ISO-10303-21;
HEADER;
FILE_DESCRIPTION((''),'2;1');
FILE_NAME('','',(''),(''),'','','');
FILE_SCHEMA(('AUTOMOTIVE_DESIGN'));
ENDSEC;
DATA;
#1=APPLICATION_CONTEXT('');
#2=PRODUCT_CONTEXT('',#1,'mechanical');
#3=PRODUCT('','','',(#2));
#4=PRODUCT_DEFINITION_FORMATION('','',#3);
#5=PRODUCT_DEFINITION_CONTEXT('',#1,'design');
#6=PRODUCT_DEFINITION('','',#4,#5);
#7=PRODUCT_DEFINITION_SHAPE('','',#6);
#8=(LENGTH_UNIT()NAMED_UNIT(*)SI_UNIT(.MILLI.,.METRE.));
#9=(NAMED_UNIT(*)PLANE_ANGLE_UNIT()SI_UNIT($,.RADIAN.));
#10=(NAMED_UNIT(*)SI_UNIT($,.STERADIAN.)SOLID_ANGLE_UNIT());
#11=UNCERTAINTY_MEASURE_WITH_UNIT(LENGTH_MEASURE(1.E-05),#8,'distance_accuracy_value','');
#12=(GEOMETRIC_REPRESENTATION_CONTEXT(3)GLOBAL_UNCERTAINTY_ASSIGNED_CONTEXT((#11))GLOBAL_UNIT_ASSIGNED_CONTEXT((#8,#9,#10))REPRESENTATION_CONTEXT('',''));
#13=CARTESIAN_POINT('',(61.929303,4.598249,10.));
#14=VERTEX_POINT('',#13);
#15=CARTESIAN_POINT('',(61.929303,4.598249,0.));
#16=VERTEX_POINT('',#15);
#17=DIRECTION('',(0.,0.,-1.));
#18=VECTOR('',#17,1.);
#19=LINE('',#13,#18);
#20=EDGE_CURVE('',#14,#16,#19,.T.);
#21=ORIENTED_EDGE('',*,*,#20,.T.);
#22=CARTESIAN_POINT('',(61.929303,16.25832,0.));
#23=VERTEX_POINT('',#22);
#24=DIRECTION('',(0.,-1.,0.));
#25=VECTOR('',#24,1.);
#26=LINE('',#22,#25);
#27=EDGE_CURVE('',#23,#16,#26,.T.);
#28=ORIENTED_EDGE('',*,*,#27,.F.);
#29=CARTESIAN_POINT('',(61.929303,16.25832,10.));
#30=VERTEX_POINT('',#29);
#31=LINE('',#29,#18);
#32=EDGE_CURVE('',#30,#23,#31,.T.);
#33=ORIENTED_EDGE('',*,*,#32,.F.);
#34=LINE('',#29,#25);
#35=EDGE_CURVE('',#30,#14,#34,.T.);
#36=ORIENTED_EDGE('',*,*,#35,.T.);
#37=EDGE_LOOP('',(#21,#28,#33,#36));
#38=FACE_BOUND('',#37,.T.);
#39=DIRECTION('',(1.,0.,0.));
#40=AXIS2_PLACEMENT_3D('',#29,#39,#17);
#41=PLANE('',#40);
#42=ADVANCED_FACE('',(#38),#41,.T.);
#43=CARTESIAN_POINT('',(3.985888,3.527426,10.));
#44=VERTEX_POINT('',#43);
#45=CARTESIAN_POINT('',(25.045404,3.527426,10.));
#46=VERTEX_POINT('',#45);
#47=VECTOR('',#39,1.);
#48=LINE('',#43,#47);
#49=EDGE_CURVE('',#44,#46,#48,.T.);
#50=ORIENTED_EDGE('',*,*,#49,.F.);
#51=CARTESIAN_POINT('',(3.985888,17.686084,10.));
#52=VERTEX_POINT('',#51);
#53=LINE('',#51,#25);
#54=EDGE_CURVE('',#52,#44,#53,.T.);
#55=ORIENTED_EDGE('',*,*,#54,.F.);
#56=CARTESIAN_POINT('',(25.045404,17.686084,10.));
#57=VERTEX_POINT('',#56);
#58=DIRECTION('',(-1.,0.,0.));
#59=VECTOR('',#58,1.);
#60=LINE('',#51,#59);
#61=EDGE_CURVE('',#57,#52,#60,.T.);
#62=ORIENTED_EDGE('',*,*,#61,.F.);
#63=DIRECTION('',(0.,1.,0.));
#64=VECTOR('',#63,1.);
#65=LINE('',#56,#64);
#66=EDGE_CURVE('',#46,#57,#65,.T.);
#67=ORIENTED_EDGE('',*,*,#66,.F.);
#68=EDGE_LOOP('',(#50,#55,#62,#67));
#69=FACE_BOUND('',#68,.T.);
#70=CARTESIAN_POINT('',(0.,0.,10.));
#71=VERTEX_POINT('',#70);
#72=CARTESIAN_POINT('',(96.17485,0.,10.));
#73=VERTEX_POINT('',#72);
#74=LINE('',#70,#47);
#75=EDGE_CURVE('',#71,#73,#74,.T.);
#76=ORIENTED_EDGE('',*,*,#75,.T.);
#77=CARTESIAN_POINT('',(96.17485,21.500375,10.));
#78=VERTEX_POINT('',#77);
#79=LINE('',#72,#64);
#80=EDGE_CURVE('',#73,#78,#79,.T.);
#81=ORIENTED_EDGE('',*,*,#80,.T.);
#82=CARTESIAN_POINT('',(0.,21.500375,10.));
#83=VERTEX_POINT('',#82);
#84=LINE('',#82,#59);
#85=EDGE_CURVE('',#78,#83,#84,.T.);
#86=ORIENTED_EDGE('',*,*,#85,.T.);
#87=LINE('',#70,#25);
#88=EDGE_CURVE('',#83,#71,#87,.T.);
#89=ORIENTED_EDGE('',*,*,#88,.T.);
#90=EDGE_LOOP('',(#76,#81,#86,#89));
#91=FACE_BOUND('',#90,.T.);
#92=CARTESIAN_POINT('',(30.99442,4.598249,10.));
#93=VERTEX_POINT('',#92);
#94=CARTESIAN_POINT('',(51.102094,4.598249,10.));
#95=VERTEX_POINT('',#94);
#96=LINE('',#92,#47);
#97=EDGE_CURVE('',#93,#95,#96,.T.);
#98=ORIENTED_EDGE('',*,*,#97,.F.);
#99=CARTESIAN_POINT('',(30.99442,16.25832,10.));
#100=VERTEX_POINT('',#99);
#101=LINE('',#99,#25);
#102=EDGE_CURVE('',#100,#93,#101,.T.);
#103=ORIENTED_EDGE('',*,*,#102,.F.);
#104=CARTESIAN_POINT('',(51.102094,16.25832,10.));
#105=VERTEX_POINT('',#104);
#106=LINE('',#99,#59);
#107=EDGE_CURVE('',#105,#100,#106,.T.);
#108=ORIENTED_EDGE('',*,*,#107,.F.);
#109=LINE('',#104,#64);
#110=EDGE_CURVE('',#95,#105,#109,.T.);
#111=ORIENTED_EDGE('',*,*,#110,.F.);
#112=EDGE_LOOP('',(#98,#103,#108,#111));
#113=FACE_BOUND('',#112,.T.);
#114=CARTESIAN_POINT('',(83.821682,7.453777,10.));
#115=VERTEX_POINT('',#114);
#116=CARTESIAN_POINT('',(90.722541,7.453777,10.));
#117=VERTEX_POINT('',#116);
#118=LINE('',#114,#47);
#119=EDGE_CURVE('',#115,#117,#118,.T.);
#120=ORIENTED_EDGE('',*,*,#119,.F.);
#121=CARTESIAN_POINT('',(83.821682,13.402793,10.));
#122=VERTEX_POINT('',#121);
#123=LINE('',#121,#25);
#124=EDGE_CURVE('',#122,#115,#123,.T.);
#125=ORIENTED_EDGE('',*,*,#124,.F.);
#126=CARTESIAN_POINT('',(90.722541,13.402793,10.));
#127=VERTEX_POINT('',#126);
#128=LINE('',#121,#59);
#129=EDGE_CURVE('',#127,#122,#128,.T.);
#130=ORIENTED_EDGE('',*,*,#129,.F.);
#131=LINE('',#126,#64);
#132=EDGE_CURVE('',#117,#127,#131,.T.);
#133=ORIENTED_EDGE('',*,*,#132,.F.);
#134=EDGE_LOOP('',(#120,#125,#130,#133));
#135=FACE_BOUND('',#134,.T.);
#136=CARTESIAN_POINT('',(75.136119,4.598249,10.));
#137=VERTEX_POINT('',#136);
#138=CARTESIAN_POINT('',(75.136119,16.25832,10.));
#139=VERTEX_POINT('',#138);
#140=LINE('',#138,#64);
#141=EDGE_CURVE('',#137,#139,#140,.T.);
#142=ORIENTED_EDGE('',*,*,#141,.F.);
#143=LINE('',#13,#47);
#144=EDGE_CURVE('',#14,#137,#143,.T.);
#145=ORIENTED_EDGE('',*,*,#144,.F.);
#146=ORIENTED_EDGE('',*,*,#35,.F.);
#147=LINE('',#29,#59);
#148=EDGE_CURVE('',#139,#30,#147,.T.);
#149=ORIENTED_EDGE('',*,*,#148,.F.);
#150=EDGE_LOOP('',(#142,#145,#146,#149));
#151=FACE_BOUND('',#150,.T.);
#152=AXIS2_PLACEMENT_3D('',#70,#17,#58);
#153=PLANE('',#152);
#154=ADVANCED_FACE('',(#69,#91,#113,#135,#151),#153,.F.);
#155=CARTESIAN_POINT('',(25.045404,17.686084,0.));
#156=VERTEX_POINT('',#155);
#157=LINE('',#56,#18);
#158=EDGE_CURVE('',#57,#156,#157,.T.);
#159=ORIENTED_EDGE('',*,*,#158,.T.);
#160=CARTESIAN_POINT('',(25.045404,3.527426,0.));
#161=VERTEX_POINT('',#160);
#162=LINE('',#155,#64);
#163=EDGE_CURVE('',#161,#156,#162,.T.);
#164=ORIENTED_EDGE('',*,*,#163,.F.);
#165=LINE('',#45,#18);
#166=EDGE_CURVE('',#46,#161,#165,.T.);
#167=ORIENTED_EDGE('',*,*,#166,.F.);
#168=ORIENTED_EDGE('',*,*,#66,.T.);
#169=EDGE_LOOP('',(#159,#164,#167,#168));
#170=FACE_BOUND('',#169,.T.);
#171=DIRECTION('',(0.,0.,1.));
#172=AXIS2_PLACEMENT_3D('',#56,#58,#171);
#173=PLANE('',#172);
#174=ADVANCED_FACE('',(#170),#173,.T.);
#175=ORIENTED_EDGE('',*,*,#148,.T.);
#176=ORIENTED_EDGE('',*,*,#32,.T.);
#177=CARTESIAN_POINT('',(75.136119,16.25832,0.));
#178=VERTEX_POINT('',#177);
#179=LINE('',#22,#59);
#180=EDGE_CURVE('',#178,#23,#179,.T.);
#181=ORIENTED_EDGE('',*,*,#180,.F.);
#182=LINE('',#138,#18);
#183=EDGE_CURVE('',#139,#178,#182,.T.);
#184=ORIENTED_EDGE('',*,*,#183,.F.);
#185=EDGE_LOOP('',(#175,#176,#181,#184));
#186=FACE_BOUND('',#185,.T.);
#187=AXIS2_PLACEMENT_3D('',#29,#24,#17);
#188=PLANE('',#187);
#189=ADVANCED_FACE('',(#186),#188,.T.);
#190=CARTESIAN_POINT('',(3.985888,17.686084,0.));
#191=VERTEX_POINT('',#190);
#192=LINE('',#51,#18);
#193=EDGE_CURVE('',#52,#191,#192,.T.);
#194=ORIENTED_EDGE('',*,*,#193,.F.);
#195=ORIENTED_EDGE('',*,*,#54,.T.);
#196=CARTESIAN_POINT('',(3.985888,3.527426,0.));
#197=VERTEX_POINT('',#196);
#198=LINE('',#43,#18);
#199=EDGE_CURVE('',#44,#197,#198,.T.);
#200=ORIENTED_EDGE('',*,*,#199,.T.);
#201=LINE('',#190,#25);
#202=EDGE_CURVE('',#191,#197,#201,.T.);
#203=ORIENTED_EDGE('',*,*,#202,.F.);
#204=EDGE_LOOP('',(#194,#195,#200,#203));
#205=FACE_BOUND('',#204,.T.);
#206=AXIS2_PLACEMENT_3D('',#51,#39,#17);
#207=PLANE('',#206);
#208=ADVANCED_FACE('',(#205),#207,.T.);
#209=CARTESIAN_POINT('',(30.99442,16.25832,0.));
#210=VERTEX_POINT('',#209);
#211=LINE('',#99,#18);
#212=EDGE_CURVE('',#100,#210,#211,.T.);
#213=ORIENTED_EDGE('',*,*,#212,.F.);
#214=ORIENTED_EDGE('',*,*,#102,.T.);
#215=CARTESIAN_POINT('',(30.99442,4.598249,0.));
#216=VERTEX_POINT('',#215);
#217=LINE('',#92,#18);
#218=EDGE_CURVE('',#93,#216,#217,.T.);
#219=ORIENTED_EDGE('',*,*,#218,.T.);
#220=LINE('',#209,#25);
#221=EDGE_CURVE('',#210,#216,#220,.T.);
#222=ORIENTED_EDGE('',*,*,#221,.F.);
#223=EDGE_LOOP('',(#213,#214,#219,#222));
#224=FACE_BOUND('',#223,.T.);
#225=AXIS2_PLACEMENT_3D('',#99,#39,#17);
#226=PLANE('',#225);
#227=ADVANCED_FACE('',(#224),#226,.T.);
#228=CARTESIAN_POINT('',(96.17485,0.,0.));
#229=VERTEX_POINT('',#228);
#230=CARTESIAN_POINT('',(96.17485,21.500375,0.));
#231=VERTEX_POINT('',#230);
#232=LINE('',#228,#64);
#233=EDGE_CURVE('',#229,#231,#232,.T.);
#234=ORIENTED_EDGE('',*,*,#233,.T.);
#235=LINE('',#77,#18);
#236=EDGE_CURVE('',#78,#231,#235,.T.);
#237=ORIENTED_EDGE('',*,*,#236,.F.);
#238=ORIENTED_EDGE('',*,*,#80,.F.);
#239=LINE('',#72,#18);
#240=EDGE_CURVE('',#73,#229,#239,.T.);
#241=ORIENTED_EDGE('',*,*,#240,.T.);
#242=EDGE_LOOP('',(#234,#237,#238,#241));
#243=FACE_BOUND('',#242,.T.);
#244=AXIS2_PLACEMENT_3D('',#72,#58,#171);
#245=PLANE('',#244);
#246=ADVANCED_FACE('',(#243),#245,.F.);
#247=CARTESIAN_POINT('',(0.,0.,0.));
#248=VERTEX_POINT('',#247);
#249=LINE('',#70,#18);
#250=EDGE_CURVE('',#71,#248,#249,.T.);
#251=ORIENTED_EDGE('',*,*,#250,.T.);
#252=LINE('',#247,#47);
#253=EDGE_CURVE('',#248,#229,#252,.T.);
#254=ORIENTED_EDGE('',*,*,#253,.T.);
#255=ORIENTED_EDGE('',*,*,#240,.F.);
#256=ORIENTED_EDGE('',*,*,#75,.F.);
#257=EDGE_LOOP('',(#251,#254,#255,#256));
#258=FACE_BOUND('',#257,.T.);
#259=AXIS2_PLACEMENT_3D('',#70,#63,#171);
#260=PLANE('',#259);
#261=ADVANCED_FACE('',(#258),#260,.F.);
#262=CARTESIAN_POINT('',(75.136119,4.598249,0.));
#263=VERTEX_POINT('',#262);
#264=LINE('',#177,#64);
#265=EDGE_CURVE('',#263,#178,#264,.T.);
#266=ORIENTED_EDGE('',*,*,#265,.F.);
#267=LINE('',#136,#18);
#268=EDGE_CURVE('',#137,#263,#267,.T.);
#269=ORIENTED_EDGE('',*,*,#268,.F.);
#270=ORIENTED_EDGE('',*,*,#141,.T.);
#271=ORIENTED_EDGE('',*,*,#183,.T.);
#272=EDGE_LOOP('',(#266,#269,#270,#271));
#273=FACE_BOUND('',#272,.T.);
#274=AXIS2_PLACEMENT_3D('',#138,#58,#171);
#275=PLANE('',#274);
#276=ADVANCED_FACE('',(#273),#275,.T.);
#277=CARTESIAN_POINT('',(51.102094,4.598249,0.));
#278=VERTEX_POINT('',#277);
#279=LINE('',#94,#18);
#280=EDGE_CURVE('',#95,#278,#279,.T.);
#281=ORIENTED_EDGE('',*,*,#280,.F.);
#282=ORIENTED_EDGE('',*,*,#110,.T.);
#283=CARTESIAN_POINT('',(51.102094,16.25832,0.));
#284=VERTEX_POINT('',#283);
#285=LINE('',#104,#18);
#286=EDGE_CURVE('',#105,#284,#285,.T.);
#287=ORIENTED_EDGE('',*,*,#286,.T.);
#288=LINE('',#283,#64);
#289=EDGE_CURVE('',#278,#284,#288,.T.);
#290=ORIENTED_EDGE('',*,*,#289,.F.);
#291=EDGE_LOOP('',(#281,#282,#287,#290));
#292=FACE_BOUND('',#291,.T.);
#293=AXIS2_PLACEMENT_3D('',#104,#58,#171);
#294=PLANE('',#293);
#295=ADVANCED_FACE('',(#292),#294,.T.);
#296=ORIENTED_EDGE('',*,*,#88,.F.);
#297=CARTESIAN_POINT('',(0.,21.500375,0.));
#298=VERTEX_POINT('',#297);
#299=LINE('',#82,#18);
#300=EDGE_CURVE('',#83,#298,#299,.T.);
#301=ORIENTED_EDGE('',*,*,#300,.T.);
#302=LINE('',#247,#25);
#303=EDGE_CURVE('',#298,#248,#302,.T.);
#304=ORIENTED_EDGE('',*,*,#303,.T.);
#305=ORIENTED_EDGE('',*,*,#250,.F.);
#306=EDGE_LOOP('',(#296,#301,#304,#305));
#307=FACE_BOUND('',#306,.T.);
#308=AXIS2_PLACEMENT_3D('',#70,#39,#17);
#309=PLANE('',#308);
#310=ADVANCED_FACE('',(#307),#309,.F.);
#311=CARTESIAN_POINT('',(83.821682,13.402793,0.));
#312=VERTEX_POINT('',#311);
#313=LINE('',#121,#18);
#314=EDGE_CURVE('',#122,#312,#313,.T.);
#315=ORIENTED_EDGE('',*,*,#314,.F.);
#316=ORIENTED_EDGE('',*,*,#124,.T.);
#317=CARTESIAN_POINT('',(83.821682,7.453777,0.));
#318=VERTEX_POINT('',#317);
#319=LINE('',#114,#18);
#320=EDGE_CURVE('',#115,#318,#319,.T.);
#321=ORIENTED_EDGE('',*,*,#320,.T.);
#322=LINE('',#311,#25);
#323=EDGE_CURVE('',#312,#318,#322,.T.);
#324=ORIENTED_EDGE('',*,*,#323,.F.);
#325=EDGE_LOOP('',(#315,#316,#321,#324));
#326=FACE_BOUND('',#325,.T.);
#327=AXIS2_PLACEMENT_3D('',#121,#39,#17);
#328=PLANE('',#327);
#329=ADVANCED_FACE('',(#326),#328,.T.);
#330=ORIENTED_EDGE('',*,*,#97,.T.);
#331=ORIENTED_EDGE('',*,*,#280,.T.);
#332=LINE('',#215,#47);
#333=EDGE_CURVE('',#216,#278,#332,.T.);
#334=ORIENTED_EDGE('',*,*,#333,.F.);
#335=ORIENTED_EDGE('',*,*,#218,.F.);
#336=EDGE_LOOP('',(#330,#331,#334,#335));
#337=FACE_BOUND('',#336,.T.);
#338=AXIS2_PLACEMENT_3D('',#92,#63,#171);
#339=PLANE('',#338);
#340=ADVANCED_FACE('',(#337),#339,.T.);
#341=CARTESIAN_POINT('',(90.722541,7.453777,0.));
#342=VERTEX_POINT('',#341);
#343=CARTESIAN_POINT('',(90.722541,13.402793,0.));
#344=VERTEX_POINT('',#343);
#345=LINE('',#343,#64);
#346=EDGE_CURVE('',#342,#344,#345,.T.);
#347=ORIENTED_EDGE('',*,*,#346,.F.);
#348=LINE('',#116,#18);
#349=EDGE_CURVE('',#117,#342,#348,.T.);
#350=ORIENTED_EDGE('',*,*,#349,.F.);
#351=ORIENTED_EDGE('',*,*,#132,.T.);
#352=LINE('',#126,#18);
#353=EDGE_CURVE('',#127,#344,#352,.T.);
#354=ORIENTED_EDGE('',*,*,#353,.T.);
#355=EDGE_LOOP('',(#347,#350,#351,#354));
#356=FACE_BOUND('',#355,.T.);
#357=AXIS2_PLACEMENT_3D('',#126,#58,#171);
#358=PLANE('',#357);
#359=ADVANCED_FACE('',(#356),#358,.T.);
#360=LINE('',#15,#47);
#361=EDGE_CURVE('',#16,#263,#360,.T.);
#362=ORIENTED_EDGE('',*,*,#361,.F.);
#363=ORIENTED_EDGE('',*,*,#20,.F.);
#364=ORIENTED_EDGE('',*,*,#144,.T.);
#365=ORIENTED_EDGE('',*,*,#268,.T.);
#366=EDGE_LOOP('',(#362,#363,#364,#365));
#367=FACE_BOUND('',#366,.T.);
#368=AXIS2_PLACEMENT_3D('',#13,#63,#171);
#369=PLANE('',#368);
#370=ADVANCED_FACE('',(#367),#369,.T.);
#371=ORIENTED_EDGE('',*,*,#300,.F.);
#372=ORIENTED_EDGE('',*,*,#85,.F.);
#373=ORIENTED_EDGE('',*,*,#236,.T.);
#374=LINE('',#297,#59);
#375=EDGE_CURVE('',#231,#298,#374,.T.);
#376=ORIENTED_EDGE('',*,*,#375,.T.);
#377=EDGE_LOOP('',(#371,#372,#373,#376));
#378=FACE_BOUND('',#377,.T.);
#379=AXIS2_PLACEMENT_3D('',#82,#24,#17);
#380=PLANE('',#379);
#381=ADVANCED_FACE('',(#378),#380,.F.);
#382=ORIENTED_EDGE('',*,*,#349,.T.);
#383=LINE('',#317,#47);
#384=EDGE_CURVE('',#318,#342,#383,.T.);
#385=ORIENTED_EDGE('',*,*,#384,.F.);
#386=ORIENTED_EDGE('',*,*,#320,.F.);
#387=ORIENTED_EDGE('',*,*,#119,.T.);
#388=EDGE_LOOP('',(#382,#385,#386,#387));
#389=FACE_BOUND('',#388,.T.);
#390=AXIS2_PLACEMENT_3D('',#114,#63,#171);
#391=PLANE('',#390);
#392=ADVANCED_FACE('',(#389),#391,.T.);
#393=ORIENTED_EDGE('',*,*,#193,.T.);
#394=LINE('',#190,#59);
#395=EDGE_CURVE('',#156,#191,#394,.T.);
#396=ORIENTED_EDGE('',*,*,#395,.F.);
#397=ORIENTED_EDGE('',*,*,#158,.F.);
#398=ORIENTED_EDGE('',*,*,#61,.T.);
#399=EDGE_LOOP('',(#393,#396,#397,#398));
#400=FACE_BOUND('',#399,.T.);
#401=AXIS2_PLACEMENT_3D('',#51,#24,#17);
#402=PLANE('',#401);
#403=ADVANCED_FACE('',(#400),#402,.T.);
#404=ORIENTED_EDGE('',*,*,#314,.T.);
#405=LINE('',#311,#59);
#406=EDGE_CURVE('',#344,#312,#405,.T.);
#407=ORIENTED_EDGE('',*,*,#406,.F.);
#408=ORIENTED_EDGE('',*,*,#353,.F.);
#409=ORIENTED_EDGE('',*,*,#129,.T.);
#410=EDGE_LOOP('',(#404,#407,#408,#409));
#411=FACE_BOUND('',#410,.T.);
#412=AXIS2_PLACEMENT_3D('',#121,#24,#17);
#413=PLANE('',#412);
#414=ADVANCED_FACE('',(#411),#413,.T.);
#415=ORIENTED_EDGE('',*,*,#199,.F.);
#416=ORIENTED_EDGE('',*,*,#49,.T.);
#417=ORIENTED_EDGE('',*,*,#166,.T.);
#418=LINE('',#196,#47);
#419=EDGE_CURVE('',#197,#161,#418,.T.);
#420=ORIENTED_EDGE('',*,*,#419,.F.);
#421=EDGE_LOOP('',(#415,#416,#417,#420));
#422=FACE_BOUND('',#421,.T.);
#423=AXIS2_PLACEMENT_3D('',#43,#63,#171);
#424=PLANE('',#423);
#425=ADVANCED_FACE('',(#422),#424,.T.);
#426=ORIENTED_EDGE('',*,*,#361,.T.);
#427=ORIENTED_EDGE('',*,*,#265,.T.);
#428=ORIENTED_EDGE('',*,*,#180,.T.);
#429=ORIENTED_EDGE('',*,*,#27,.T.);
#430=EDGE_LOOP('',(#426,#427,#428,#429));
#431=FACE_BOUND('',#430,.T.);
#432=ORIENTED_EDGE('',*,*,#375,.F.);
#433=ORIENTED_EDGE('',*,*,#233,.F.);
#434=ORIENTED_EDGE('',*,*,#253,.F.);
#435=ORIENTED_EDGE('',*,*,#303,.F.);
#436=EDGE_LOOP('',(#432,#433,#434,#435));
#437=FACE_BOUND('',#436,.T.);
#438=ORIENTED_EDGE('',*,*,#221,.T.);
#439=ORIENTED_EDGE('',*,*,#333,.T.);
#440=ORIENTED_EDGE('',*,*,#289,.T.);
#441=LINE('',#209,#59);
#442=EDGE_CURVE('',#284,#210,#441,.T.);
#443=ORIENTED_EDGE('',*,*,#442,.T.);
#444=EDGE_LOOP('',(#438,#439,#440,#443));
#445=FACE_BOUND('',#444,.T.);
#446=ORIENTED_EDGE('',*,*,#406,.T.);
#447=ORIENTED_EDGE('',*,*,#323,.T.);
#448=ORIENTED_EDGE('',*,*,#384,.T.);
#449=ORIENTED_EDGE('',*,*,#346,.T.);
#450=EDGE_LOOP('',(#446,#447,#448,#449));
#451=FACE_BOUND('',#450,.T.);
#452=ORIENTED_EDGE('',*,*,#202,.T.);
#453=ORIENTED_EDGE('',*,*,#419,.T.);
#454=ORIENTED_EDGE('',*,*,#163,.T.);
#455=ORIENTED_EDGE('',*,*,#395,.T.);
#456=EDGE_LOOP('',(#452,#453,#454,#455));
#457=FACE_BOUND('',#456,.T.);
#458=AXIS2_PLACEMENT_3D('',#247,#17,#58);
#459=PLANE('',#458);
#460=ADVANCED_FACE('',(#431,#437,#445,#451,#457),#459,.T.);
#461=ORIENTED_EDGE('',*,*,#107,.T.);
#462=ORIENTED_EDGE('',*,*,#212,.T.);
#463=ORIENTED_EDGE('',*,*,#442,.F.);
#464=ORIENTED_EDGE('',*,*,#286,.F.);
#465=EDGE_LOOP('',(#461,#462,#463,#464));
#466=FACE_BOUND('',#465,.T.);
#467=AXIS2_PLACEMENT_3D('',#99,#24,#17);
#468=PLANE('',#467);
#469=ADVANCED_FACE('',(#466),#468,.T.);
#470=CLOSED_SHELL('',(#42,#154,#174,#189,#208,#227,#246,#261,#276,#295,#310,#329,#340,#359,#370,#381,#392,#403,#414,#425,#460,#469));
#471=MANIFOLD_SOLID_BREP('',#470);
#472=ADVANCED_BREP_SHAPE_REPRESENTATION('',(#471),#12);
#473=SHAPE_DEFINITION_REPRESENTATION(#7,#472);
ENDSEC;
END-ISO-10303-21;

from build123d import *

# Parameters (mm, degrees)
SKETCH1_W           = 96.17484985
SKETCH1_H           = 21.500375375
SKETCH1_W_2         = 21.059516556
SKETCH1_H_2         = 14.158658024
SKETCH1_W_3         = 20.107674
SKETCH1_H_3         = 11.660071314
SKETCH1_W_4         = 13.206815468
SKETCH1_W_5         = 6.900858533
SKETCH1_H_4         = 5.949015977
BOSS_EXTRUDE1_DEPTH = 10


with BuildPart() as part:
    # Sketch1 → Boss-Extrude1 (new body)
    with BuildSketch(Plane.XY):
        with Locations((48.087424925, 10.750187688)):
            Rectangle(SKETCH1_W, SKETCH1_H)
        with Locations((14.515646166, 10.60675503)):
            Rectangle(SKETCH1_W_2, SKETCH1_H_2, mode=Mode.SUBTRACT)
        with Locations((41.048257421, 10.428284551)):
            Rectangle(SKETCH1_W_3, SKETCH1_H_3, mode=Mode.SUBTRACT)
        with Locations((68.532711233, 10.428284551)):
            Rectangle(SKETCH1_W_4, SKETCH1_H_3, mode=Mode.SUBTRACT)
        with Locations((87.272111559, 10.428284551)):
            Rectangle(SKETCH1_W_5, SKETCH1_H_4, mode=Mode.SUBTRACT)
    extrude(amount=BOSS_EXTRUDE1_DEPTH)


solid = part.part
